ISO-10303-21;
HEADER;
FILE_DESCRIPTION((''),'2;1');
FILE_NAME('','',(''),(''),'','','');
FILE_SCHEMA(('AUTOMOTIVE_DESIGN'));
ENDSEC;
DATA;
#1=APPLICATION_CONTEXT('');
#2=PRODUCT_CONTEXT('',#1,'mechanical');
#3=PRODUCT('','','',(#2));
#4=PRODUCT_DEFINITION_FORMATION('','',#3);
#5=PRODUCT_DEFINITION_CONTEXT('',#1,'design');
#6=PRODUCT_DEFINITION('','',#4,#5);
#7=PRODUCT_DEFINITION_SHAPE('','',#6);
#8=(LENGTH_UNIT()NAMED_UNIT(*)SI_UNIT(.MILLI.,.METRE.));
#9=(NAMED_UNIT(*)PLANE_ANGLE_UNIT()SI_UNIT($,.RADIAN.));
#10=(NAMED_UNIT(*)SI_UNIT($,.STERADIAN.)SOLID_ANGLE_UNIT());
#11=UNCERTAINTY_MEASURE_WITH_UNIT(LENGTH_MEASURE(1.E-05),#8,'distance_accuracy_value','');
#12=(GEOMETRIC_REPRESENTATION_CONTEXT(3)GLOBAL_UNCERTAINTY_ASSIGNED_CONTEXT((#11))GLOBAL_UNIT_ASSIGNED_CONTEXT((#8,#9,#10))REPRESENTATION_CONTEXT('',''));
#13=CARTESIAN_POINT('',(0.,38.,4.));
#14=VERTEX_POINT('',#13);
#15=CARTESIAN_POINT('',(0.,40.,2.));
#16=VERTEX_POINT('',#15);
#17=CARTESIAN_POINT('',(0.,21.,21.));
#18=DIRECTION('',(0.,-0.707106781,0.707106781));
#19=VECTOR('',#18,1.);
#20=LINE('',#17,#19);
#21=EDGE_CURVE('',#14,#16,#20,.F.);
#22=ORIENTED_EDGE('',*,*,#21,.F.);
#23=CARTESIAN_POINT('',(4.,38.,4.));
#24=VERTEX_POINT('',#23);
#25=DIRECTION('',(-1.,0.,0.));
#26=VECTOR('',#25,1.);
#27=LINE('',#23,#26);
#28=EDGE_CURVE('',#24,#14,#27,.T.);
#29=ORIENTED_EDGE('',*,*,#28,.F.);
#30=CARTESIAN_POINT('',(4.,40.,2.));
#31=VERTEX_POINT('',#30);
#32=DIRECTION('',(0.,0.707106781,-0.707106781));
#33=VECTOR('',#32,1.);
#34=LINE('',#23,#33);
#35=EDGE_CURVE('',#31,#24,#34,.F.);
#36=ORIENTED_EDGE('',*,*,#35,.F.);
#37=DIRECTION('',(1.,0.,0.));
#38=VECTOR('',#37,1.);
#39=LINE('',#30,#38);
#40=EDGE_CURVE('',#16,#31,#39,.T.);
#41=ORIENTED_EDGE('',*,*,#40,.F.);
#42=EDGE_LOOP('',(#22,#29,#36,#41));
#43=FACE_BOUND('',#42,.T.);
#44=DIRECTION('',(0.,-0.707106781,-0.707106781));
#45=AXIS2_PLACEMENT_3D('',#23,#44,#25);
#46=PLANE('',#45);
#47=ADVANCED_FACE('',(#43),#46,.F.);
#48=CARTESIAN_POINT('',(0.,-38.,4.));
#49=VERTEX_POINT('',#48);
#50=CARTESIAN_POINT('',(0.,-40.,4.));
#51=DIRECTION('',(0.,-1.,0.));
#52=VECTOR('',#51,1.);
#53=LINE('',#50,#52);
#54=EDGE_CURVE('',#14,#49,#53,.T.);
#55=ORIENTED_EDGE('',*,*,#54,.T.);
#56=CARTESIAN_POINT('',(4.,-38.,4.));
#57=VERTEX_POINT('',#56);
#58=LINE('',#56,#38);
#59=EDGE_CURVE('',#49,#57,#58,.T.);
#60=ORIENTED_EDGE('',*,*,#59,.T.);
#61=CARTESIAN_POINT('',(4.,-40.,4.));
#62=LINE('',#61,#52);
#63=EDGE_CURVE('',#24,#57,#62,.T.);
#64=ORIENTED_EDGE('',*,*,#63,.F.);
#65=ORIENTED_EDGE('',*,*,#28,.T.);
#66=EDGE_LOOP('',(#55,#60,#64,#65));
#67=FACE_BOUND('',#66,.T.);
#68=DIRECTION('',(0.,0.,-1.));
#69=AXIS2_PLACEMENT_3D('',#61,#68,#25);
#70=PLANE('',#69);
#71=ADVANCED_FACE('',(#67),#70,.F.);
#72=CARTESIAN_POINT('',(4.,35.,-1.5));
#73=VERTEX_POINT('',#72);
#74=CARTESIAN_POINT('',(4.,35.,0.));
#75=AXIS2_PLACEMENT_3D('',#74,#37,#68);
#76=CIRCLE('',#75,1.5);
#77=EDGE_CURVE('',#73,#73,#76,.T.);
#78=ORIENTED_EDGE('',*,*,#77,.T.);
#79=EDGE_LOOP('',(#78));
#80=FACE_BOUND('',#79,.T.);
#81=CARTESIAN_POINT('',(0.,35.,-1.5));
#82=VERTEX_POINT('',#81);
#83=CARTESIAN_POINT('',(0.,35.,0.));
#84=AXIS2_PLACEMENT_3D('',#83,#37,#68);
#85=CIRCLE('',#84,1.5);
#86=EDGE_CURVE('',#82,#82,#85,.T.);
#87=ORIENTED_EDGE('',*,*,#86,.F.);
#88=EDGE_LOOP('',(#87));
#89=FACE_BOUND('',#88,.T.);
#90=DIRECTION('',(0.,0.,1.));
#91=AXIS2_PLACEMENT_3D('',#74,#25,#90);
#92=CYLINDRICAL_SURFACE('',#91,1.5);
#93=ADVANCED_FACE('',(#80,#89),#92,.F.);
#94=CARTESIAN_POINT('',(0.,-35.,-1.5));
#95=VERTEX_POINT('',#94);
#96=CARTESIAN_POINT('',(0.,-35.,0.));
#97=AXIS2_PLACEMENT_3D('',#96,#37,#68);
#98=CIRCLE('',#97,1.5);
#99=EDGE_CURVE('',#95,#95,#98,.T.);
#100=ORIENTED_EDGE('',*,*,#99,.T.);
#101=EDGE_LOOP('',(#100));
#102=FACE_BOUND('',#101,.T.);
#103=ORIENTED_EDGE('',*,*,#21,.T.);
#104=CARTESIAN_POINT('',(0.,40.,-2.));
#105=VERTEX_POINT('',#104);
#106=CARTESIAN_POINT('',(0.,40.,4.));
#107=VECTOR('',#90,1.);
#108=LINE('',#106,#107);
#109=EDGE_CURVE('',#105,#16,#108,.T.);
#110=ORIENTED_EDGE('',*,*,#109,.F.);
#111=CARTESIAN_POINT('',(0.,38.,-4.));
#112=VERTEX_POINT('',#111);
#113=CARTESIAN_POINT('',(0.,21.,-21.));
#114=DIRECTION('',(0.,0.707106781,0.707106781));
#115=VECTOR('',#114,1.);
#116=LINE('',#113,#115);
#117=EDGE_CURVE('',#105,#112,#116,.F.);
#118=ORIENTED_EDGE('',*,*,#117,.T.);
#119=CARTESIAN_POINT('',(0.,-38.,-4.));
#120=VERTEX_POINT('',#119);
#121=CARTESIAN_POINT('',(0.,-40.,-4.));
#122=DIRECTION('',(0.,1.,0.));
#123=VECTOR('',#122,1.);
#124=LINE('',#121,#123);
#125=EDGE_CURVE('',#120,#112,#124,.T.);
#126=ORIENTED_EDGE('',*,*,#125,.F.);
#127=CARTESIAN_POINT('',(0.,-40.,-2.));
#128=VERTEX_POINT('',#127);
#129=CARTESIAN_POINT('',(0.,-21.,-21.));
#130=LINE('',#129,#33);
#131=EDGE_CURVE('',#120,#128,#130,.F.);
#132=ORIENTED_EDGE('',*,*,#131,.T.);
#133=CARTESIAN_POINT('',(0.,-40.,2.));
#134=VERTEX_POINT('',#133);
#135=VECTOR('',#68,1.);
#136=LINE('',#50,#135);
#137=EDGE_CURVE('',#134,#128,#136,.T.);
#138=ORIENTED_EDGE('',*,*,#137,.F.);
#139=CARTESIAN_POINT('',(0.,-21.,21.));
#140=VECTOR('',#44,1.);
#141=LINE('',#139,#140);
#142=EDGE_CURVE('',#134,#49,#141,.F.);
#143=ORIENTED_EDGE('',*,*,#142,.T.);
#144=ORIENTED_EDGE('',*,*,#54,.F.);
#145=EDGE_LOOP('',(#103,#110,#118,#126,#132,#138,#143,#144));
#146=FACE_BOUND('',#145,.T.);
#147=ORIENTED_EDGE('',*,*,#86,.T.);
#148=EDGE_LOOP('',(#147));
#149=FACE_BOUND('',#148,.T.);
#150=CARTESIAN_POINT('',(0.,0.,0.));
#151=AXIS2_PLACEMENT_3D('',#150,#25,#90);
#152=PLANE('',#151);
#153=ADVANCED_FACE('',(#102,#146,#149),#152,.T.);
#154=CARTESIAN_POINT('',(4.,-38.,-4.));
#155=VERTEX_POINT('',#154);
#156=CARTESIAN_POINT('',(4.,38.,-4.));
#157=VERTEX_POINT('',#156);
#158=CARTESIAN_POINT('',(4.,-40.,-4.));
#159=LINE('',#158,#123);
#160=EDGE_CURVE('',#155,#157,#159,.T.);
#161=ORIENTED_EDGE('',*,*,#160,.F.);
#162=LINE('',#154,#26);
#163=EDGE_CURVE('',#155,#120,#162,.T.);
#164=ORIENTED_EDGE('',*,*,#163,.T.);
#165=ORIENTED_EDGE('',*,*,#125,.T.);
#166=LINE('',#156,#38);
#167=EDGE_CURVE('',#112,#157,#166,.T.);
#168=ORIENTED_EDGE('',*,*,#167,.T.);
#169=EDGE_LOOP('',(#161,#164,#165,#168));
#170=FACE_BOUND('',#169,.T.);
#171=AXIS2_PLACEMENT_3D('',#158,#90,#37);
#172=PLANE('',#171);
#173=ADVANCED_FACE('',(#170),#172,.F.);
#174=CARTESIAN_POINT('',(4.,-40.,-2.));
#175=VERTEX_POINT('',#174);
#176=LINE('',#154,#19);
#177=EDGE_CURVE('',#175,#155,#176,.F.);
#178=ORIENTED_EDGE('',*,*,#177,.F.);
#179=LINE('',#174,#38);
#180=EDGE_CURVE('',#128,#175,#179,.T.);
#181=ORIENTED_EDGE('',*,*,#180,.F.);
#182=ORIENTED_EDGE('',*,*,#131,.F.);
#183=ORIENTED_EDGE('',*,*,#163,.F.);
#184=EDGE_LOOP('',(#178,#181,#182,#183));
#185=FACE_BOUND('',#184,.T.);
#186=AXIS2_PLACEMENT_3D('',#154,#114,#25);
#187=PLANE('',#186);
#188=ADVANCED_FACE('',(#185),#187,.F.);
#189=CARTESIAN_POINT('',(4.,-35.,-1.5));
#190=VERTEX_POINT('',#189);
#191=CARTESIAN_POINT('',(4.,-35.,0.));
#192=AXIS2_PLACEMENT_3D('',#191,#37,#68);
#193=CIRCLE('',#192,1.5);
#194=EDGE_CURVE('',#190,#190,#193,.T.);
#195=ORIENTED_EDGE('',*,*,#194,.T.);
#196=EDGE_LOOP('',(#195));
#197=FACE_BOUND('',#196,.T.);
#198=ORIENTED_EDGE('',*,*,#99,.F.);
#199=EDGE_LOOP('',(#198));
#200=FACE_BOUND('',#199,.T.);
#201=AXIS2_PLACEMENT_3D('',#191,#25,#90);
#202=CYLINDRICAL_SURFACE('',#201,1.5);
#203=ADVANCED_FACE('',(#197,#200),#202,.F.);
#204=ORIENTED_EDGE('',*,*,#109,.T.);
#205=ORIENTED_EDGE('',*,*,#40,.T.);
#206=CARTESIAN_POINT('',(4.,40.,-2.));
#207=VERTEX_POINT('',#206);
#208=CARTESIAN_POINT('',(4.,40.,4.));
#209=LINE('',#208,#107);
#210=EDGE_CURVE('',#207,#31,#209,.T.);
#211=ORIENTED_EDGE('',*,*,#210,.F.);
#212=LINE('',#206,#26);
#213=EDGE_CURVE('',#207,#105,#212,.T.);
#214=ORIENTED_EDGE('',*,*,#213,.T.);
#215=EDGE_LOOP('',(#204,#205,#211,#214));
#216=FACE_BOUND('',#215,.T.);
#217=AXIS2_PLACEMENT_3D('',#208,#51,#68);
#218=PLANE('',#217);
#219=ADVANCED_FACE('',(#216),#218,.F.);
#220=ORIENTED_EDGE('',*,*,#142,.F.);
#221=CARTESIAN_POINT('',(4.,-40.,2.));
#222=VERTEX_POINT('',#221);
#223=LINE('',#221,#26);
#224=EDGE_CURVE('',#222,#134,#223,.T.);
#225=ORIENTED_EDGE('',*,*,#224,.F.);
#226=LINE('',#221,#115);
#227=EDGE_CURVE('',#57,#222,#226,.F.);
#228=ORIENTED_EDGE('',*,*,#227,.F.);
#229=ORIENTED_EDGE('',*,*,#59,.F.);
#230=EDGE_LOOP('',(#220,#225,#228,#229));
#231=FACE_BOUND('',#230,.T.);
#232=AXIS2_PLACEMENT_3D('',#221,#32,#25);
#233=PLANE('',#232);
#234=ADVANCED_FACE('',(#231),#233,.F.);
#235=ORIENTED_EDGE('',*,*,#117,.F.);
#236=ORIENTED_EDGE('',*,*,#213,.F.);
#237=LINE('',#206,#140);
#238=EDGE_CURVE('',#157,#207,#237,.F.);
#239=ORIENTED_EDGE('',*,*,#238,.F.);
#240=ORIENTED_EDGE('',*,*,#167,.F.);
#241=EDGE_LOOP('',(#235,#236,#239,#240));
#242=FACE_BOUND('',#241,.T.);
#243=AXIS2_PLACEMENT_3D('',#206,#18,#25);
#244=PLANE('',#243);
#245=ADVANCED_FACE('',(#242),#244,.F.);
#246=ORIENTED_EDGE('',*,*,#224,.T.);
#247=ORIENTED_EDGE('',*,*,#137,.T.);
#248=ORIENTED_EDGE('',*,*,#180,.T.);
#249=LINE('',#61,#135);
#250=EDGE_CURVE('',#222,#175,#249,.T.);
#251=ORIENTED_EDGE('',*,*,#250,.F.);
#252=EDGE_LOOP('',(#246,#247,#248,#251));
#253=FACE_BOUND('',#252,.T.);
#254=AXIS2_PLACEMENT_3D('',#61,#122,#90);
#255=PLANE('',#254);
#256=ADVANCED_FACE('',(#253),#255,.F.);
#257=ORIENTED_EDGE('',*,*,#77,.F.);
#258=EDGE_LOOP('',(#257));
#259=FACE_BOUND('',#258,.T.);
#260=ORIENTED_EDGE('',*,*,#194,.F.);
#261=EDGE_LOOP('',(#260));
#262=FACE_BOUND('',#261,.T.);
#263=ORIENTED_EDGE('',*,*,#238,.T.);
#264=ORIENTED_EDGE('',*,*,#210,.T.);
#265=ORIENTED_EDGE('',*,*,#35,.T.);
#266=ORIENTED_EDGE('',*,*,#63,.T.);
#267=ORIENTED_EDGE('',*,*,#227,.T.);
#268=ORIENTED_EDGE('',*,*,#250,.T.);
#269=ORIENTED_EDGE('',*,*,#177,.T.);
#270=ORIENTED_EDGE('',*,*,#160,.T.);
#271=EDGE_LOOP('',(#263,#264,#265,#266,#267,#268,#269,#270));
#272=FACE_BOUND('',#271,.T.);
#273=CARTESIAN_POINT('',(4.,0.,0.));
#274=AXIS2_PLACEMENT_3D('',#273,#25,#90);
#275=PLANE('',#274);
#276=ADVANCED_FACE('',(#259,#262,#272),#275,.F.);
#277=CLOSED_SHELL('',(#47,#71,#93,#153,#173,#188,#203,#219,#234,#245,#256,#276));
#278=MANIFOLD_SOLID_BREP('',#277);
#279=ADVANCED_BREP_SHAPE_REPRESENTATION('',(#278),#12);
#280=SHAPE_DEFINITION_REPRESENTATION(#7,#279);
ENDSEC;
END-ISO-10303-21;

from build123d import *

# Parameters (mm, degrees)
SKETCH1_W           = 8
SKETCH1_H           = 80
SKETCH1_R           = 1.5
BOSS_EXTRUDE1_DEPTH = 4
CHAMFER1_SIZE       = 2


with BuildPart() as part:
    # Sketch1 → Boss-Extrude1 (new body)
    with BuildSketch(Plane(origin=(0, 0, 0), x_dir=(0, 0, -1), z_dir=(1, 0, 0))):
        Rectangle(SKETCH1_W, SKETCH1_H)
        with Locations((0, -35)):
            Circle(SKETCH1_R, mode=Mode.SUBTRACT)
        with Locations((0, 35)):
            Circle(SKETCH1_R, mode=Mode.SUBTRACT)
    extrude(amount=BOSS_EXTRUDE1_DEPTH)

    # Chamfer1
    chamfer1_edges = [part.edges().sort_by_distance(p)[0] for p in [
        (2, -40, -4),
        (2, -40, 4),
        (2, 40, 4),
        (2, 40, -4),
    ]]
    chamfer(chamfer1_edges, length=CHAMFER1_SIZE)


solid = part.part
